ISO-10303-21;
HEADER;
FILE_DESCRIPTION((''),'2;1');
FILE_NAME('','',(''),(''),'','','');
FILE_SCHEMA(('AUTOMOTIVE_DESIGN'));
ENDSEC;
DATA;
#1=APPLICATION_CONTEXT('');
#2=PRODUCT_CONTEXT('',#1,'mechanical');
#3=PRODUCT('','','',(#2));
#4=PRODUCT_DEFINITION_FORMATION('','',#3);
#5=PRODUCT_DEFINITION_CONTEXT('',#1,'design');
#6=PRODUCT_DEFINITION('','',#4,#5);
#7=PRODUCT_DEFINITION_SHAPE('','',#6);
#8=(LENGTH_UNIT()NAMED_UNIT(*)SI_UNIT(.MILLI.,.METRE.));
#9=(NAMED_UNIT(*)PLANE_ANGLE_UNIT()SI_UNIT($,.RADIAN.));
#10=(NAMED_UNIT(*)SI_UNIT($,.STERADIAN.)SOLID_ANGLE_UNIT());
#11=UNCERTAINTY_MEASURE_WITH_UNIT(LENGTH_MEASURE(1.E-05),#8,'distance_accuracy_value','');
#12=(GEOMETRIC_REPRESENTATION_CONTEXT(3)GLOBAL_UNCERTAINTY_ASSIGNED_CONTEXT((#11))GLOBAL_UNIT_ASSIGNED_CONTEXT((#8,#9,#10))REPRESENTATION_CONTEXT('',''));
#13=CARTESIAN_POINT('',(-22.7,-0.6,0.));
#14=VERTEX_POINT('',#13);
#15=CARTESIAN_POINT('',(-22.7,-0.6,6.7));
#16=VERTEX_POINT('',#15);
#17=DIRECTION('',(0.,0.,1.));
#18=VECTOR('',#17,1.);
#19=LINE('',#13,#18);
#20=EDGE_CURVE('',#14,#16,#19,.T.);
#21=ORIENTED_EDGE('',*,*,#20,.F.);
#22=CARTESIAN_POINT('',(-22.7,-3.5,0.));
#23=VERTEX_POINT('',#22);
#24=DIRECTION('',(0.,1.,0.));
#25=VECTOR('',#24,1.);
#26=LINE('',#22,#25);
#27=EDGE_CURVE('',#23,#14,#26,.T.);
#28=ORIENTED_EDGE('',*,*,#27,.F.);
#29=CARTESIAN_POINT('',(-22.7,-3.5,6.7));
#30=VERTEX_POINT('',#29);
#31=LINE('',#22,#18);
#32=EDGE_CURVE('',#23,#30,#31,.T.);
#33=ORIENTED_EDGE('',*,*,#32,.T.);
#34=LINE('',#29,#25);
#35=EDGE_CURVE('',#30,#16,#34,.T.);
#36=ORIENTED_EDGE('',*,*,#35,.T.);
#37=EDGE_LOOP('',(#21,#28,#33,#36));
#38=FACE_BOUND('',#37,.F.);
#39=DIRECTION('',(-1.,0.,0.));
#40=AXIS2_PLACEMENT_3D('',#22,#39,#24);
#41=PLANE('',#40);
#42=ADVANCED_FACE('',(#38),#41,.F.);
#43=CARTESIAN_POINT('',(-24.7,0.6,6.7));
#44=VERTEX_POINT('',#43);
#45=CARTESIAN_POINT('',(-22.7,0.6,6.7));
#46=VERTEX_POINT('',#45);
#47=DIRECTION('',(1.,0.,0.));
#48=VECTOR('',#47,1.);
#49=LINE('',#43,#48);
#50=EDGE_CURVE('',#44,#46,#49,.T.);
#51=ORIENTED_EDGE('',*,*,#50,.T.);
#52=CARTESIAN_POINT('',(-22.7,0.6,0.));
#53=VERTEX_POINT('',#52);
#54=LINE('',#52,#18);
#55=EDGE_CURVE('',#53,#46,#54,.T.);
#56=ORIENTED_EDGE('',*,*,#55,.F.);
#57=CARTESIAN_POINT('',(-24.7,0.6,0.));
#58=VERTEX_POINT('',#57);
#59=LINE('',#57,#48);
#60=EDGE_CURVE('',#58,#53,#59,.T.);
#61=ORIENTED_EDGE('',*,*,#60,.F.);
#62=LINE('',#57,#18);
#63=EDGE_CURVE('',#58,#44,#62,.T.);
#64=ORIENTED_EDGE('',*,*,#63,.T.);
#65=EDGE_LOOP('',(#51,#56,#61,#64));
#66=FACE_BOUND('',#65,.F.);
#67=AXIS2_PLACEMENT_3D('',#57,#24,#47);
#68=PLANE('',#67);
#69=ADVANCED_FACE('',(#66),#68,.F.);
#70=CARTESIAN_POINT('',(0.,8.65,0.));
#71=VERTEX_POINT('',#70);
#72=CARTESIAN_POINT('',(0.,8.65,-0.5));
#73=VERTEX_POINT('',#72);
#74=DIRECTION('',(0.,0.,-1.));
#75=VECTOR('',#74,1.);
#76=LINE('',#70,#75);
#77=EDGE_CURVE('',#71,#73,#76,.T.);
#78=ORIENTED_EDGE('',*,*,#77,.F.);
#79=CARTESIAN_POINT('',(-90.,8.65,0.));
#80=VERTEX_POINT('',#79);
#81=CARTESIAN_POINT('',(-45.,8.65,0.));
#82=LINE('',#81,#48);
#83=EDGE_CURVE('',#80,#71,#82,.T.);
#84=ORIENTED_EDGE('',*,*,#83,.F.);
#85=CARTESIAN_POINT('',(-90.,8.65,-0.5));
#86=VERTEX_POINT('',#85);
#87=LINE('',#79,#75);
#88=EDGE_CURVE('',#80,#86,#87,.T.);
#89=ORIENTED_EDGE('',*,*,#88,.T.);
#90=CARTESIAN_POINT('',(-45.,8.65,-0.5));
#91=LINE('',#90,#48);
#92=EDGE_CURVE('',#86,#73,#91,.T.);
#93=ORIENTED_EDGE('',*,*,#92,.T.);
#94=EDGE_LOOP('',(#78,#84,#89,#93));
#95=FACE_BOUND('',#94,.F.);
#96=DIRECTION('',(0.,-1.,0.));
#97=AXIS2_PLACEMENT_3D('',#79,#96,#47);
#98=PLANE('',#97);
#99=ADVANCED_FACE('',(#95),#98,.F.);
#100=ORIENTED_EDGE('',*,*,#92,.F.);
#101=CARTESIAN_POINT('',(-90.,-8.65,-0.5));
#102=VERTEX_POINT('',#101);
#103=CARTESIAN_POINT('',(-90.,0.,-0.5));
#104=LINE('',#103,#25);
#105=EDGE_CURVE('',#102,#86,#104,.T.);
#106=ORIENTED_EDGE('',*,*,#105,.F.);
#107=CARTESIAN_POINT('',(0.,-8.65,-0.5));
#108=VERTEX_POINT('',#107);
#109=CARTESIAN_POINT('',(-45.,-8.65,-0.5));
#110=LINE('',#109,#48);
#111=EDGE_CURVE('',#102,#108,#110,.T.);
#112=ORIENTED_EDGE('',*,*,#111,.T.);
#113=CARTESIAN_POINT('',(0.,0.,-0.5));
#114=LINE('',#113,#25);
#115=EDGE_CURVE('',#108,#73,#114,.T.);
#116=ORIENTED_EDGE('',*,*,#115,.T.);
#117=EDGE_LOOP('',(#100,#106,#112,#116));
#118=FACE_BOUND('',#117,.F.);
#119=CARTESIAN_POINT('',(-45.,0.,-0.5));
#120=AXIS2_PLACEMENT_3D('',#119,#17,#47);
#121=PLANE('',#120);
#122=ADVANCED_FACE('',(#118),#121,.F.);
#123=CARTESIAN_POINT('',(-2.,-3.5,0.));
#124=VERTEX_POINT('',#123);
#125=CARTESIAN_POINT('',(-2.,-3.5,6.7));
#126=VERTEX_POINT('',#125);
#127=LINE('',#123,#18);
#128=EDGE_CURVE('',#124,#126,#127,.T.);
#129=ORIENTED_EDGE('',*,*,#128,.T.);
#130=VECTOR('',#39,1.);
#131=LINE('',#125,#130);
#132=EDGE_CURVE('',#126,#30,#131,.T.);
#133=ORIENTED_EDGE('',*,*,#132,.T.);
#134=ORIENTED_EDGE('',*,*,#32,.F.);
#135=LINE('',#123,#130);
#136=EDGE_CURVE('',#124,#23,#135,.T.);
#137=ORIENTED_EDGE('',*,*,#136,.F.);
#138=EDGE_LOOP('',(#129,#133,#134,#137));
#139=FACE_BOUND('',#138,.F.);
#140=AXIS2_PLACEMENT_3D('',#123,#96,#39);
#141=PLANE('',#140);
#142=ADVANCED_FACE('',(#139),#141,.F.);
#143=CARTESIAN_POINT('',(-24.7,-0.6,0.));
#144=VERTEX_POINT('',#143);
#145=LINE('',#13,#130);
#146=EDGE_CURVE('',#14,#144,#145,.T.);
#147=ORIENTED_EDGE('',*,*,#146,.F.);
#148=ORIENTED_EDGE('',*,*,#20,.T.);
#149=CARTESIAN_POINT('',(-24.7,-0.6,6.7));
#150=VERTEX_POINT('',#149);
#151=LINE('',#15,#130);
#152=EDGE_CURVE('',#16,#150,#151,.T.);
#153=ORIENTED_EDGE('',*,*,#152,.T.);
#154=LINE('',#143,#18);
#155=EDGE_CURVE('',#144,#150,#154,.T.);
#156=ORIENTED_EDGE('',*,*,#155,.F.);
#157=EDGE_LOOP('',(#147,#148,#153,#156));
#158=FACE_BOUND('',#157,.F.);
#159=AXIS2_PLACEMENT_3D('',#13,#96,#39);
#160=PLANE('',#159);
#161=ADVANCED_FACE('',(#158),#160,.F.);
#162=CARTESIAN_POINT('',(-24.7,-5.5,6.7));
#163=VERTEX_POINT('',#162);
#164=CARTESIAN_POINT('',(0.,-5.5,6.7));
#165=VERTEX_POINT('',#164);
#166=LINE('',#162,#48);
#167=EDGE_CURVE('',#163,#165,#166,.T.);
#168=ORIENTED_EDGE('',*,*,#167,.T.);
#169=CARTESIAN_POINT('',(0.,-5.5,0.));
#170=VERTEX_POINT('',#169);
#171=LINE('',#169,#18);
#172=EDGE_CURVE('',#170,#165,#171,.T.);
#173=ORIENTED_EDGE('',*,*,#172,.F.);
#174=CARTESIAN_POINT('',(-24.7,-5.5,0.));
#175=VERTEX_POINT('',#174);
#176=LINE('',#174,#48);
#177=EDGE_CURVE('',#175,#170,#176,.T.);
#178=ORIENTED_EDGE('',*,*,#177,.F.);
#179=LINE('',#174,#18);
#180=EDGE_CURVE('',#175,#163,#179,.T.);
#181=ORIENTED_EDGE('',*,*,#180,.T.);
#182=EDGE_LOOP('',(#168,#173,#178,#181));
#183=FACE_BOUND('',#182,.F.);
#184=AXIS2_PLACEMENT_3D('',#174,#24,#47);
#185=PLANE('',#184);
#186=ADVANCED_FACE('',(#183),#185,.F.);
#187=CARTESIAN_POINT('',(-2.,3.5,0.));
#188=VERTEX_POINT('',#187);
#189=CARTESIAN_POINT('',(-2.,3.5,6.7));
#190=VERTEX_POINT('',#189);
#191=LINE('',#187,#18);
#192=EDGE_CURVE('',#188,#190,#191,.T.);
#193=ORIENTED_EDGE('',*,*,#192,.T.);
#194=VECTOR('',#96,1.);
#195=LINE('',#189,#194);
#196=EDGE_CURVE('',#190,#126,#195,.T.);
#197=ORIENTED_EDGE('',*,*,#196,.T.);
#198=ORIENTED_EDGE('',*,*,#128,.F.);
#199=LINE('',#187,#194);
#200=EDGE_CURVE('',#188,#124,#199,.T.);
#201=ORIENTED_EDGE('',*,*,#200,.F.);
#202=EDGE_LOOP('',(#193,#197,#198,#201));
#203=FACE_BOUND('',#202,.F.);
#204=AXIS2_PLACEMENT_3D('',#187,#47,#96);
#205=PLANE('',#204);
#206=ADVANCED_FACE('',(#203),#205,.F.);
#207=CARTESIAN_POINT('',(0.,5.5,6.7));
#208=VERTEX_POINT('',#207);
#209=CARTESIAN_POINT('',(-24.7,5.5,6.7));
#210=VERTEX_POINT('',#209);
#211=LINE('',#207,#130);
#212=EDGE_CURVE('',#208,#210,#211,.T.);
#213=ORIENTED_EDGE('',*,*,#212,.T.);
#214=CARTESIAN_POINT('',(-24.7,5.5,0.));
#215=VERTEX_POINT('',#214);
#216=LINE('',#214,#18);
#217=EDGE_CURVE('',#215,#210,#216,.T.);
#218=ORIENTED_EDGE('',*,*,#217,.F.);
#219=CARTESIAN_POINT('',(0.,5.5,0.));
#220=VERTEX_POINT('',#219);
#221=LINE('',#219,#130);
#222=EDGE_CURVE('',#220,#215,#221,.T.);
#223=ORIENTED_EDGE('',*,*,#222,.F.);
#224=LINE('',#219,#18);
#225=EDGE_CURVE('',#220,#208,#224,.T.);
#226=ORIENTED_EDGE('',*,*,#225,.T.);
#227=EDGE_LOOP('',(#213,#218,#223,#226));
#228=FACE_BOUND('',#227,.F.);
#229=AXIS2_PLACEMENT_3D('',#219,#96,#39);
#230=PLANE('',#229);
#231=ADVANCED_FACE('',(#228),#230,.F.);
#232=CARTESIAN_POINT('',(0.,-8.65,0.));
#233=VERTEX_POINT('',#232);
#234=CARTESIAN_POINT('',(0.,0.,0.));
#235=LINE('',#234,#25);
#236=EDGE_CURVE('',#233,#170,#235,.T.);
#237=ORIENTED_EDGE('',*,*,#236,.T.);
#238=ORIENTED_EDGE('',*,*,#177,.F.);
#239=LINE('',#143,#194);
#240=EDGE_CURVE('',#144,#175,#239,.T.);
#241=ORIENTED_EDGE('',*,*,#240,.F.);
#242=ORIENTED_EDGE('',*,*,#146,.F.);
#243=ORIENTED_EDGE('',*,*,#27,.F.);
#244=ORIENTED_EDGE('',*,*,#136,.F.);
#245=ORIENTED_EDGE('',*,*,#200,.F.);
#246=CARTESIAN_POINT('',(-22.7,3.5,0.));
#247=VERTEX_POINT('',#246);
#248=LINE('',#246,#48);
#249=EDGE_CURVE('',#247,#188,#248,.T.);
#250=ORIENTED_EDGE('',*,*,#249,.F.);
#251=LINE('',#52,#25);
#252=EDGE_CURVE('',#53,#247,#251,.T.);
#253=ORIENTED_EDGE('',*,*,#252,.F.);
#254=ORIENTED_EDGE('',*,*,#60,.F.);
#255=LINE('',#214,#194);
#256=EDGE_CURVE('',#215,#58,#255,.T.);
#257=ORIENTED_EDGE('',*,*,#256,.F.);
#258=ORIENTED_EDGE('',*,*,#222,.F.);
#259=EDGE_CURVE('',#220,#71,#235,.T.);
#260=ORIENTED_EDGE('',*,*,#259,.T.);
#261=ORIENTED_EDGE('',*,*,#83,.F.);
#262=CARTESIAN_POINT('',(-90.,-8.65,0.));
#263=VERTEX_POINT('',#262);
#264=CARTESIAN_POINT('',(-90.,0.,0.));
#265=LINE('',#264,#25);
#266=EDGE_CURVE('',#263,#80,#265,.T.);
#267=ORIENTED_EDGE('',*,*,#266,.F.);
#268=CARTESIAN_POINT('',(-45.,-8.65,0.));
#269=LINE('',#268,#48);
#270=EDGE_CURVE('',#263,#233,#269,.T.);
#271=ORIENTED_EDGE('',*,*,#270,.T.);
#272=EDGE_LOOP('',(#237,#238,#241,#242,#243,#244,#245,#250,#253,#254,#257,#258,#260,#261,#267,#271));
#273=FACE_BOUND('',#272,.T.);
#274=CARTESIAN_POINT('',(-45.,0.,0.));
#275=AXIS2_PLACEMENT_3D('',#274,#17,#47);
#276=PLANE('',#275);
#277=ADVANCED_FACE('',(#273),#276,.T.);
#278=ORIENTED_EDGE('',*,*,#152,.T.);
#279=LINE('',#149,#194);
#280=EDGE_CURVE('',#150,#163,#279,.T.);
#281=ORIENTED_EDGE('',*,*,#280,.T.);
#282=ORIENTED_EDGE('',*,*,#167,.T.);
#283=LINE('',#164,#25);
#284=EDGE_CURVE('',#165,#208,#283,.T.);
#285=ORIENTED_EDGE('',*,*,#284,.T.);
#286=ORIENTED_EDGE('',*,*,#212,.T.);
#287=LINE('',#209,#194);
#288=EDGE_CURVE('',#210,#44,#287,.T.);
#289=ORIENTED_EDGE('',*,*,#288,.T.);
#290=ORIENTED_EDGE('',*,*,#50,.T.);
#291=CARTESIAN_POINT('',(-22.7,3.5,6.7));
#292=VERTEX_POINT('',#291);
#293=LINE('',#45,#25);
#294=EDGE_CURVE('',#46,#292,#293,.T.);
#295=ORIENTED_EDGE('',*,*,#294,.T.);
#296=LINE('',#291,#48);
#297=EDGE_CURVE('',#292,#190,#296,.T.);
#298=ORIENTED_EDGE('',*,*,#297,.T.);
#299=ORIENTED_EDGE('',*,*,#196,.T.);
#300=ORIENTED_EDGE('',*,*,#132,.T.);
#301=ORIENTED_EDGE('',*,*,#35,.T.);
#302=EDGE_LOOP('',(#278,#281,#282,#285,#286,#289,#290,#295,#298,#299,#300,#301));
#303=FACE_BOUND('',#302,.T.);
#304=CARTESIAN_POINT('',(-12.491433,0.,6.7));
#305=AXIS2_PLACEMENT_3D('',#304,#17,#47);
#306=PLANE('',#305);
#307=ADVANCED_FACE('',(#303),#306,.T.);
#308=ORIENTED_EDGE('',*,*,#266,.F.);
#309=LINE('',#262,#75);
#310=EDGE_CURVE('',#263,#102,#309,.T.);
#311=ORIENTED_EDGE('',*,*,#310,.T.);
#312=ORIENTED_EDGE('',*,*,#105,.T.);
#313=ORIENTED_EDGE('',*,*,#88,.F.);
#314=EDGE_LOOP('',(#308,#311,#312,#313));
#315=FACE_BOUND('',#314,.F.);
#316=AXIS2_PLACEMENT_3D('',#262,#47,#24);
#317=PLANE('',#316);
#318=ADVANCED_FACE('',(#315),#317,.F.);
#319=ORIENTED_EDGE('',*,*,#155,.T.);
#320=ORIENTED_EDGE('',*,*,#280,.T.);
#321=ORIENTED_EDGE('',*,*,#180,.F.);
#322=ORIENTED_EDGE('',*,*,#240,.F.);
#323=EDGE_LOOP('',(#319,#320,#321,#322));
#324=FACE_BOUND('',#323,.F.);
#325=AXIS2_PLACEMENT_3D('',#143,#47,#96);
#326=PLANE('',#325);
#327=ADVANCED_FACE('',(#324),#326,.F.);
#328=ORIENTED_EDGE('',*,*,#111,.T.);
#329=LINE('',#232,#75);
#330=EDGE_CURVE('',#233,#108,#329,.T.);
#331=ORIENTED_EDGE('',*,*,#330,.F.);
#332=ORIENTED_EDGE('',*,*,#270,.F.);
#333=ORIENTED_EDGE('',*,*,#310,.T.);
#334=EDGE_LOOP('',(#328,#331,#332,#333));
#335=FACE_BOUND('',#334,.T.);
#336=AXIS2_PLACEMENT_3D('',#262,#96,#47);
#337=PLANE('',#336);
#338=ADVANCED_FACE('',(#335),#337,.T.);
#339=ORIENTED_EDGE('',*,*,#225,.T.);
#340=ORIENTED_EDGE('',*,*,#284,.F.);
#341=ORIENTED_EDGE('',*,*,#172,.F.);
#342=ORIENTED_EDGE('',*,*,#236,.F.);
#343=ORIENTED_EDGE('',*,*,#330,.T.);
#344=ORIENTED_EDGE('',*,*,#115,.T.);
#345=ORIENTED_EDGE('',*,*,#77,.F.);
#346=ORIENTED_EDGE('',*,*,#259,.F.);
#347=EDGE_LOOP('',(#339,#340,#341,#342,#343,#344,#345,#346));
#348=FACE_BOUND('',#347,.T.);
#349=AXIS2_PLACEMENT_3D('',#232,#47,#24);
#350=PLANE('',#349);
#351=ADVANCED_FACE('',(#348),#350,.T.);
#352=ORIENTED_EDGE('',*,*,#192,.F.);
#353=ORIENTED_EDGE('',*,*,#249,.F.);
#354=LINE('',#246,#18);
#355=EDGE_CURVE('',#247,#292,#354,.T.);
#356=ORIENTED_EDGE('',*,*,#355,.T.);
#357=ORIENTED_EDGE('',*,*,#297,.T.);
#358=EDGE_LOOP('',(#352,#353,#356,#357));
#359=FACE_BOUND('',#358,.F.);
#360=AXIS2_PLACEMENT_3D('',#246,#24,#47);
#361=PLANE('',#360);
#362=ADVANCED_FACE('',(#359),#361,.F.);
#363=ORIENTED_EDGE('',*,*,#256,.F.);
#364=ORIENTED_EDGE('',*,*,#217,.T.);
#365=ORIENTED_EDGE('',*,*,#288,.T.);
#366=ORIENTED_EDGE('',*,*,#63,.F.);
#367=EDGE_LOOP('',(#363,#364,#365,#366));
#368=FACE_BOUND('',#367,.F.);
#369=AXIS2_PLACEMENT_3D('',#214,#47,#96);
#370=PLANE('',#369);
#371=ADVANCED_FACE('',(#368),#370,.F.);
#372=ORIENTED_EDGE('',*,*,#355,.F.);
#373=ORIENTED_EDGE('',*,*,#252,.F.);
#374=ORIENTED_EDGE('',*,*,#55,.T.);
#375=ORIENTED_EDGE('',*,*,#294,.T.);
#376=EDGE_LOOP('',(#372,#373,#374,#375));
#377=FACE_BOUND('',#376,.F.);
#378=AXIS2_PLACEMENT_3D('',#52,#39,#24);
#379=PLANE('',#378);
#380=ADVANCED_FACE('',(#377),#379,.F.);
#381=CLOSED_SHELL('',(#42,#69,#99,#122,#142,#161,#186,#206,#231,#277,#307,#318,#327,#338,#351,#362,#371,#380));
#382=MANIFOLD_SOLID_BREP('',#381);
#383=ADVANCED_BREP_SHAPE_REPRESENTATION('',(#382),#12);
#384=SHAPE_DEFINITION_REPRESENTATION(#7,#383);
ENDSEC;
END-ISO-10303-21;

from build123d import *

# Parameters (mm, degrees)
PAD_DEPTH    = 6.7
SKETCH001_W  = 90
SKETCH001_H  = 17.3
PAD001_DEPTH = 0.5


with BuildPart() as part:
    # Sketch (on Sketch) → Pad (new body)
    with BuildSketch(Plane.XY):
        Polygon((-22.7, 3.5), (-2, 3.5), (-2, -3.5), (-22.7, -3.5), (-22.7, -0.6), (-24.7, -0.6), (-24.7, -5.5), (0, -5.5), (0, 5.5), (-24.7, 5.5), (-24.7, 0.6), (-22.7, 0.6), align=None)
    extrude(amount=PAD_DEPTH)

    # Sketch001 → Pad001 (join)
    with BuildSketch(Plane.XY):
        with Locations((-45, 0)):
            Rectangle(SKETCH001_W, SKETCH001_H)
    extrude(amount=-PAD001_DEPTH)


solid = part.part
